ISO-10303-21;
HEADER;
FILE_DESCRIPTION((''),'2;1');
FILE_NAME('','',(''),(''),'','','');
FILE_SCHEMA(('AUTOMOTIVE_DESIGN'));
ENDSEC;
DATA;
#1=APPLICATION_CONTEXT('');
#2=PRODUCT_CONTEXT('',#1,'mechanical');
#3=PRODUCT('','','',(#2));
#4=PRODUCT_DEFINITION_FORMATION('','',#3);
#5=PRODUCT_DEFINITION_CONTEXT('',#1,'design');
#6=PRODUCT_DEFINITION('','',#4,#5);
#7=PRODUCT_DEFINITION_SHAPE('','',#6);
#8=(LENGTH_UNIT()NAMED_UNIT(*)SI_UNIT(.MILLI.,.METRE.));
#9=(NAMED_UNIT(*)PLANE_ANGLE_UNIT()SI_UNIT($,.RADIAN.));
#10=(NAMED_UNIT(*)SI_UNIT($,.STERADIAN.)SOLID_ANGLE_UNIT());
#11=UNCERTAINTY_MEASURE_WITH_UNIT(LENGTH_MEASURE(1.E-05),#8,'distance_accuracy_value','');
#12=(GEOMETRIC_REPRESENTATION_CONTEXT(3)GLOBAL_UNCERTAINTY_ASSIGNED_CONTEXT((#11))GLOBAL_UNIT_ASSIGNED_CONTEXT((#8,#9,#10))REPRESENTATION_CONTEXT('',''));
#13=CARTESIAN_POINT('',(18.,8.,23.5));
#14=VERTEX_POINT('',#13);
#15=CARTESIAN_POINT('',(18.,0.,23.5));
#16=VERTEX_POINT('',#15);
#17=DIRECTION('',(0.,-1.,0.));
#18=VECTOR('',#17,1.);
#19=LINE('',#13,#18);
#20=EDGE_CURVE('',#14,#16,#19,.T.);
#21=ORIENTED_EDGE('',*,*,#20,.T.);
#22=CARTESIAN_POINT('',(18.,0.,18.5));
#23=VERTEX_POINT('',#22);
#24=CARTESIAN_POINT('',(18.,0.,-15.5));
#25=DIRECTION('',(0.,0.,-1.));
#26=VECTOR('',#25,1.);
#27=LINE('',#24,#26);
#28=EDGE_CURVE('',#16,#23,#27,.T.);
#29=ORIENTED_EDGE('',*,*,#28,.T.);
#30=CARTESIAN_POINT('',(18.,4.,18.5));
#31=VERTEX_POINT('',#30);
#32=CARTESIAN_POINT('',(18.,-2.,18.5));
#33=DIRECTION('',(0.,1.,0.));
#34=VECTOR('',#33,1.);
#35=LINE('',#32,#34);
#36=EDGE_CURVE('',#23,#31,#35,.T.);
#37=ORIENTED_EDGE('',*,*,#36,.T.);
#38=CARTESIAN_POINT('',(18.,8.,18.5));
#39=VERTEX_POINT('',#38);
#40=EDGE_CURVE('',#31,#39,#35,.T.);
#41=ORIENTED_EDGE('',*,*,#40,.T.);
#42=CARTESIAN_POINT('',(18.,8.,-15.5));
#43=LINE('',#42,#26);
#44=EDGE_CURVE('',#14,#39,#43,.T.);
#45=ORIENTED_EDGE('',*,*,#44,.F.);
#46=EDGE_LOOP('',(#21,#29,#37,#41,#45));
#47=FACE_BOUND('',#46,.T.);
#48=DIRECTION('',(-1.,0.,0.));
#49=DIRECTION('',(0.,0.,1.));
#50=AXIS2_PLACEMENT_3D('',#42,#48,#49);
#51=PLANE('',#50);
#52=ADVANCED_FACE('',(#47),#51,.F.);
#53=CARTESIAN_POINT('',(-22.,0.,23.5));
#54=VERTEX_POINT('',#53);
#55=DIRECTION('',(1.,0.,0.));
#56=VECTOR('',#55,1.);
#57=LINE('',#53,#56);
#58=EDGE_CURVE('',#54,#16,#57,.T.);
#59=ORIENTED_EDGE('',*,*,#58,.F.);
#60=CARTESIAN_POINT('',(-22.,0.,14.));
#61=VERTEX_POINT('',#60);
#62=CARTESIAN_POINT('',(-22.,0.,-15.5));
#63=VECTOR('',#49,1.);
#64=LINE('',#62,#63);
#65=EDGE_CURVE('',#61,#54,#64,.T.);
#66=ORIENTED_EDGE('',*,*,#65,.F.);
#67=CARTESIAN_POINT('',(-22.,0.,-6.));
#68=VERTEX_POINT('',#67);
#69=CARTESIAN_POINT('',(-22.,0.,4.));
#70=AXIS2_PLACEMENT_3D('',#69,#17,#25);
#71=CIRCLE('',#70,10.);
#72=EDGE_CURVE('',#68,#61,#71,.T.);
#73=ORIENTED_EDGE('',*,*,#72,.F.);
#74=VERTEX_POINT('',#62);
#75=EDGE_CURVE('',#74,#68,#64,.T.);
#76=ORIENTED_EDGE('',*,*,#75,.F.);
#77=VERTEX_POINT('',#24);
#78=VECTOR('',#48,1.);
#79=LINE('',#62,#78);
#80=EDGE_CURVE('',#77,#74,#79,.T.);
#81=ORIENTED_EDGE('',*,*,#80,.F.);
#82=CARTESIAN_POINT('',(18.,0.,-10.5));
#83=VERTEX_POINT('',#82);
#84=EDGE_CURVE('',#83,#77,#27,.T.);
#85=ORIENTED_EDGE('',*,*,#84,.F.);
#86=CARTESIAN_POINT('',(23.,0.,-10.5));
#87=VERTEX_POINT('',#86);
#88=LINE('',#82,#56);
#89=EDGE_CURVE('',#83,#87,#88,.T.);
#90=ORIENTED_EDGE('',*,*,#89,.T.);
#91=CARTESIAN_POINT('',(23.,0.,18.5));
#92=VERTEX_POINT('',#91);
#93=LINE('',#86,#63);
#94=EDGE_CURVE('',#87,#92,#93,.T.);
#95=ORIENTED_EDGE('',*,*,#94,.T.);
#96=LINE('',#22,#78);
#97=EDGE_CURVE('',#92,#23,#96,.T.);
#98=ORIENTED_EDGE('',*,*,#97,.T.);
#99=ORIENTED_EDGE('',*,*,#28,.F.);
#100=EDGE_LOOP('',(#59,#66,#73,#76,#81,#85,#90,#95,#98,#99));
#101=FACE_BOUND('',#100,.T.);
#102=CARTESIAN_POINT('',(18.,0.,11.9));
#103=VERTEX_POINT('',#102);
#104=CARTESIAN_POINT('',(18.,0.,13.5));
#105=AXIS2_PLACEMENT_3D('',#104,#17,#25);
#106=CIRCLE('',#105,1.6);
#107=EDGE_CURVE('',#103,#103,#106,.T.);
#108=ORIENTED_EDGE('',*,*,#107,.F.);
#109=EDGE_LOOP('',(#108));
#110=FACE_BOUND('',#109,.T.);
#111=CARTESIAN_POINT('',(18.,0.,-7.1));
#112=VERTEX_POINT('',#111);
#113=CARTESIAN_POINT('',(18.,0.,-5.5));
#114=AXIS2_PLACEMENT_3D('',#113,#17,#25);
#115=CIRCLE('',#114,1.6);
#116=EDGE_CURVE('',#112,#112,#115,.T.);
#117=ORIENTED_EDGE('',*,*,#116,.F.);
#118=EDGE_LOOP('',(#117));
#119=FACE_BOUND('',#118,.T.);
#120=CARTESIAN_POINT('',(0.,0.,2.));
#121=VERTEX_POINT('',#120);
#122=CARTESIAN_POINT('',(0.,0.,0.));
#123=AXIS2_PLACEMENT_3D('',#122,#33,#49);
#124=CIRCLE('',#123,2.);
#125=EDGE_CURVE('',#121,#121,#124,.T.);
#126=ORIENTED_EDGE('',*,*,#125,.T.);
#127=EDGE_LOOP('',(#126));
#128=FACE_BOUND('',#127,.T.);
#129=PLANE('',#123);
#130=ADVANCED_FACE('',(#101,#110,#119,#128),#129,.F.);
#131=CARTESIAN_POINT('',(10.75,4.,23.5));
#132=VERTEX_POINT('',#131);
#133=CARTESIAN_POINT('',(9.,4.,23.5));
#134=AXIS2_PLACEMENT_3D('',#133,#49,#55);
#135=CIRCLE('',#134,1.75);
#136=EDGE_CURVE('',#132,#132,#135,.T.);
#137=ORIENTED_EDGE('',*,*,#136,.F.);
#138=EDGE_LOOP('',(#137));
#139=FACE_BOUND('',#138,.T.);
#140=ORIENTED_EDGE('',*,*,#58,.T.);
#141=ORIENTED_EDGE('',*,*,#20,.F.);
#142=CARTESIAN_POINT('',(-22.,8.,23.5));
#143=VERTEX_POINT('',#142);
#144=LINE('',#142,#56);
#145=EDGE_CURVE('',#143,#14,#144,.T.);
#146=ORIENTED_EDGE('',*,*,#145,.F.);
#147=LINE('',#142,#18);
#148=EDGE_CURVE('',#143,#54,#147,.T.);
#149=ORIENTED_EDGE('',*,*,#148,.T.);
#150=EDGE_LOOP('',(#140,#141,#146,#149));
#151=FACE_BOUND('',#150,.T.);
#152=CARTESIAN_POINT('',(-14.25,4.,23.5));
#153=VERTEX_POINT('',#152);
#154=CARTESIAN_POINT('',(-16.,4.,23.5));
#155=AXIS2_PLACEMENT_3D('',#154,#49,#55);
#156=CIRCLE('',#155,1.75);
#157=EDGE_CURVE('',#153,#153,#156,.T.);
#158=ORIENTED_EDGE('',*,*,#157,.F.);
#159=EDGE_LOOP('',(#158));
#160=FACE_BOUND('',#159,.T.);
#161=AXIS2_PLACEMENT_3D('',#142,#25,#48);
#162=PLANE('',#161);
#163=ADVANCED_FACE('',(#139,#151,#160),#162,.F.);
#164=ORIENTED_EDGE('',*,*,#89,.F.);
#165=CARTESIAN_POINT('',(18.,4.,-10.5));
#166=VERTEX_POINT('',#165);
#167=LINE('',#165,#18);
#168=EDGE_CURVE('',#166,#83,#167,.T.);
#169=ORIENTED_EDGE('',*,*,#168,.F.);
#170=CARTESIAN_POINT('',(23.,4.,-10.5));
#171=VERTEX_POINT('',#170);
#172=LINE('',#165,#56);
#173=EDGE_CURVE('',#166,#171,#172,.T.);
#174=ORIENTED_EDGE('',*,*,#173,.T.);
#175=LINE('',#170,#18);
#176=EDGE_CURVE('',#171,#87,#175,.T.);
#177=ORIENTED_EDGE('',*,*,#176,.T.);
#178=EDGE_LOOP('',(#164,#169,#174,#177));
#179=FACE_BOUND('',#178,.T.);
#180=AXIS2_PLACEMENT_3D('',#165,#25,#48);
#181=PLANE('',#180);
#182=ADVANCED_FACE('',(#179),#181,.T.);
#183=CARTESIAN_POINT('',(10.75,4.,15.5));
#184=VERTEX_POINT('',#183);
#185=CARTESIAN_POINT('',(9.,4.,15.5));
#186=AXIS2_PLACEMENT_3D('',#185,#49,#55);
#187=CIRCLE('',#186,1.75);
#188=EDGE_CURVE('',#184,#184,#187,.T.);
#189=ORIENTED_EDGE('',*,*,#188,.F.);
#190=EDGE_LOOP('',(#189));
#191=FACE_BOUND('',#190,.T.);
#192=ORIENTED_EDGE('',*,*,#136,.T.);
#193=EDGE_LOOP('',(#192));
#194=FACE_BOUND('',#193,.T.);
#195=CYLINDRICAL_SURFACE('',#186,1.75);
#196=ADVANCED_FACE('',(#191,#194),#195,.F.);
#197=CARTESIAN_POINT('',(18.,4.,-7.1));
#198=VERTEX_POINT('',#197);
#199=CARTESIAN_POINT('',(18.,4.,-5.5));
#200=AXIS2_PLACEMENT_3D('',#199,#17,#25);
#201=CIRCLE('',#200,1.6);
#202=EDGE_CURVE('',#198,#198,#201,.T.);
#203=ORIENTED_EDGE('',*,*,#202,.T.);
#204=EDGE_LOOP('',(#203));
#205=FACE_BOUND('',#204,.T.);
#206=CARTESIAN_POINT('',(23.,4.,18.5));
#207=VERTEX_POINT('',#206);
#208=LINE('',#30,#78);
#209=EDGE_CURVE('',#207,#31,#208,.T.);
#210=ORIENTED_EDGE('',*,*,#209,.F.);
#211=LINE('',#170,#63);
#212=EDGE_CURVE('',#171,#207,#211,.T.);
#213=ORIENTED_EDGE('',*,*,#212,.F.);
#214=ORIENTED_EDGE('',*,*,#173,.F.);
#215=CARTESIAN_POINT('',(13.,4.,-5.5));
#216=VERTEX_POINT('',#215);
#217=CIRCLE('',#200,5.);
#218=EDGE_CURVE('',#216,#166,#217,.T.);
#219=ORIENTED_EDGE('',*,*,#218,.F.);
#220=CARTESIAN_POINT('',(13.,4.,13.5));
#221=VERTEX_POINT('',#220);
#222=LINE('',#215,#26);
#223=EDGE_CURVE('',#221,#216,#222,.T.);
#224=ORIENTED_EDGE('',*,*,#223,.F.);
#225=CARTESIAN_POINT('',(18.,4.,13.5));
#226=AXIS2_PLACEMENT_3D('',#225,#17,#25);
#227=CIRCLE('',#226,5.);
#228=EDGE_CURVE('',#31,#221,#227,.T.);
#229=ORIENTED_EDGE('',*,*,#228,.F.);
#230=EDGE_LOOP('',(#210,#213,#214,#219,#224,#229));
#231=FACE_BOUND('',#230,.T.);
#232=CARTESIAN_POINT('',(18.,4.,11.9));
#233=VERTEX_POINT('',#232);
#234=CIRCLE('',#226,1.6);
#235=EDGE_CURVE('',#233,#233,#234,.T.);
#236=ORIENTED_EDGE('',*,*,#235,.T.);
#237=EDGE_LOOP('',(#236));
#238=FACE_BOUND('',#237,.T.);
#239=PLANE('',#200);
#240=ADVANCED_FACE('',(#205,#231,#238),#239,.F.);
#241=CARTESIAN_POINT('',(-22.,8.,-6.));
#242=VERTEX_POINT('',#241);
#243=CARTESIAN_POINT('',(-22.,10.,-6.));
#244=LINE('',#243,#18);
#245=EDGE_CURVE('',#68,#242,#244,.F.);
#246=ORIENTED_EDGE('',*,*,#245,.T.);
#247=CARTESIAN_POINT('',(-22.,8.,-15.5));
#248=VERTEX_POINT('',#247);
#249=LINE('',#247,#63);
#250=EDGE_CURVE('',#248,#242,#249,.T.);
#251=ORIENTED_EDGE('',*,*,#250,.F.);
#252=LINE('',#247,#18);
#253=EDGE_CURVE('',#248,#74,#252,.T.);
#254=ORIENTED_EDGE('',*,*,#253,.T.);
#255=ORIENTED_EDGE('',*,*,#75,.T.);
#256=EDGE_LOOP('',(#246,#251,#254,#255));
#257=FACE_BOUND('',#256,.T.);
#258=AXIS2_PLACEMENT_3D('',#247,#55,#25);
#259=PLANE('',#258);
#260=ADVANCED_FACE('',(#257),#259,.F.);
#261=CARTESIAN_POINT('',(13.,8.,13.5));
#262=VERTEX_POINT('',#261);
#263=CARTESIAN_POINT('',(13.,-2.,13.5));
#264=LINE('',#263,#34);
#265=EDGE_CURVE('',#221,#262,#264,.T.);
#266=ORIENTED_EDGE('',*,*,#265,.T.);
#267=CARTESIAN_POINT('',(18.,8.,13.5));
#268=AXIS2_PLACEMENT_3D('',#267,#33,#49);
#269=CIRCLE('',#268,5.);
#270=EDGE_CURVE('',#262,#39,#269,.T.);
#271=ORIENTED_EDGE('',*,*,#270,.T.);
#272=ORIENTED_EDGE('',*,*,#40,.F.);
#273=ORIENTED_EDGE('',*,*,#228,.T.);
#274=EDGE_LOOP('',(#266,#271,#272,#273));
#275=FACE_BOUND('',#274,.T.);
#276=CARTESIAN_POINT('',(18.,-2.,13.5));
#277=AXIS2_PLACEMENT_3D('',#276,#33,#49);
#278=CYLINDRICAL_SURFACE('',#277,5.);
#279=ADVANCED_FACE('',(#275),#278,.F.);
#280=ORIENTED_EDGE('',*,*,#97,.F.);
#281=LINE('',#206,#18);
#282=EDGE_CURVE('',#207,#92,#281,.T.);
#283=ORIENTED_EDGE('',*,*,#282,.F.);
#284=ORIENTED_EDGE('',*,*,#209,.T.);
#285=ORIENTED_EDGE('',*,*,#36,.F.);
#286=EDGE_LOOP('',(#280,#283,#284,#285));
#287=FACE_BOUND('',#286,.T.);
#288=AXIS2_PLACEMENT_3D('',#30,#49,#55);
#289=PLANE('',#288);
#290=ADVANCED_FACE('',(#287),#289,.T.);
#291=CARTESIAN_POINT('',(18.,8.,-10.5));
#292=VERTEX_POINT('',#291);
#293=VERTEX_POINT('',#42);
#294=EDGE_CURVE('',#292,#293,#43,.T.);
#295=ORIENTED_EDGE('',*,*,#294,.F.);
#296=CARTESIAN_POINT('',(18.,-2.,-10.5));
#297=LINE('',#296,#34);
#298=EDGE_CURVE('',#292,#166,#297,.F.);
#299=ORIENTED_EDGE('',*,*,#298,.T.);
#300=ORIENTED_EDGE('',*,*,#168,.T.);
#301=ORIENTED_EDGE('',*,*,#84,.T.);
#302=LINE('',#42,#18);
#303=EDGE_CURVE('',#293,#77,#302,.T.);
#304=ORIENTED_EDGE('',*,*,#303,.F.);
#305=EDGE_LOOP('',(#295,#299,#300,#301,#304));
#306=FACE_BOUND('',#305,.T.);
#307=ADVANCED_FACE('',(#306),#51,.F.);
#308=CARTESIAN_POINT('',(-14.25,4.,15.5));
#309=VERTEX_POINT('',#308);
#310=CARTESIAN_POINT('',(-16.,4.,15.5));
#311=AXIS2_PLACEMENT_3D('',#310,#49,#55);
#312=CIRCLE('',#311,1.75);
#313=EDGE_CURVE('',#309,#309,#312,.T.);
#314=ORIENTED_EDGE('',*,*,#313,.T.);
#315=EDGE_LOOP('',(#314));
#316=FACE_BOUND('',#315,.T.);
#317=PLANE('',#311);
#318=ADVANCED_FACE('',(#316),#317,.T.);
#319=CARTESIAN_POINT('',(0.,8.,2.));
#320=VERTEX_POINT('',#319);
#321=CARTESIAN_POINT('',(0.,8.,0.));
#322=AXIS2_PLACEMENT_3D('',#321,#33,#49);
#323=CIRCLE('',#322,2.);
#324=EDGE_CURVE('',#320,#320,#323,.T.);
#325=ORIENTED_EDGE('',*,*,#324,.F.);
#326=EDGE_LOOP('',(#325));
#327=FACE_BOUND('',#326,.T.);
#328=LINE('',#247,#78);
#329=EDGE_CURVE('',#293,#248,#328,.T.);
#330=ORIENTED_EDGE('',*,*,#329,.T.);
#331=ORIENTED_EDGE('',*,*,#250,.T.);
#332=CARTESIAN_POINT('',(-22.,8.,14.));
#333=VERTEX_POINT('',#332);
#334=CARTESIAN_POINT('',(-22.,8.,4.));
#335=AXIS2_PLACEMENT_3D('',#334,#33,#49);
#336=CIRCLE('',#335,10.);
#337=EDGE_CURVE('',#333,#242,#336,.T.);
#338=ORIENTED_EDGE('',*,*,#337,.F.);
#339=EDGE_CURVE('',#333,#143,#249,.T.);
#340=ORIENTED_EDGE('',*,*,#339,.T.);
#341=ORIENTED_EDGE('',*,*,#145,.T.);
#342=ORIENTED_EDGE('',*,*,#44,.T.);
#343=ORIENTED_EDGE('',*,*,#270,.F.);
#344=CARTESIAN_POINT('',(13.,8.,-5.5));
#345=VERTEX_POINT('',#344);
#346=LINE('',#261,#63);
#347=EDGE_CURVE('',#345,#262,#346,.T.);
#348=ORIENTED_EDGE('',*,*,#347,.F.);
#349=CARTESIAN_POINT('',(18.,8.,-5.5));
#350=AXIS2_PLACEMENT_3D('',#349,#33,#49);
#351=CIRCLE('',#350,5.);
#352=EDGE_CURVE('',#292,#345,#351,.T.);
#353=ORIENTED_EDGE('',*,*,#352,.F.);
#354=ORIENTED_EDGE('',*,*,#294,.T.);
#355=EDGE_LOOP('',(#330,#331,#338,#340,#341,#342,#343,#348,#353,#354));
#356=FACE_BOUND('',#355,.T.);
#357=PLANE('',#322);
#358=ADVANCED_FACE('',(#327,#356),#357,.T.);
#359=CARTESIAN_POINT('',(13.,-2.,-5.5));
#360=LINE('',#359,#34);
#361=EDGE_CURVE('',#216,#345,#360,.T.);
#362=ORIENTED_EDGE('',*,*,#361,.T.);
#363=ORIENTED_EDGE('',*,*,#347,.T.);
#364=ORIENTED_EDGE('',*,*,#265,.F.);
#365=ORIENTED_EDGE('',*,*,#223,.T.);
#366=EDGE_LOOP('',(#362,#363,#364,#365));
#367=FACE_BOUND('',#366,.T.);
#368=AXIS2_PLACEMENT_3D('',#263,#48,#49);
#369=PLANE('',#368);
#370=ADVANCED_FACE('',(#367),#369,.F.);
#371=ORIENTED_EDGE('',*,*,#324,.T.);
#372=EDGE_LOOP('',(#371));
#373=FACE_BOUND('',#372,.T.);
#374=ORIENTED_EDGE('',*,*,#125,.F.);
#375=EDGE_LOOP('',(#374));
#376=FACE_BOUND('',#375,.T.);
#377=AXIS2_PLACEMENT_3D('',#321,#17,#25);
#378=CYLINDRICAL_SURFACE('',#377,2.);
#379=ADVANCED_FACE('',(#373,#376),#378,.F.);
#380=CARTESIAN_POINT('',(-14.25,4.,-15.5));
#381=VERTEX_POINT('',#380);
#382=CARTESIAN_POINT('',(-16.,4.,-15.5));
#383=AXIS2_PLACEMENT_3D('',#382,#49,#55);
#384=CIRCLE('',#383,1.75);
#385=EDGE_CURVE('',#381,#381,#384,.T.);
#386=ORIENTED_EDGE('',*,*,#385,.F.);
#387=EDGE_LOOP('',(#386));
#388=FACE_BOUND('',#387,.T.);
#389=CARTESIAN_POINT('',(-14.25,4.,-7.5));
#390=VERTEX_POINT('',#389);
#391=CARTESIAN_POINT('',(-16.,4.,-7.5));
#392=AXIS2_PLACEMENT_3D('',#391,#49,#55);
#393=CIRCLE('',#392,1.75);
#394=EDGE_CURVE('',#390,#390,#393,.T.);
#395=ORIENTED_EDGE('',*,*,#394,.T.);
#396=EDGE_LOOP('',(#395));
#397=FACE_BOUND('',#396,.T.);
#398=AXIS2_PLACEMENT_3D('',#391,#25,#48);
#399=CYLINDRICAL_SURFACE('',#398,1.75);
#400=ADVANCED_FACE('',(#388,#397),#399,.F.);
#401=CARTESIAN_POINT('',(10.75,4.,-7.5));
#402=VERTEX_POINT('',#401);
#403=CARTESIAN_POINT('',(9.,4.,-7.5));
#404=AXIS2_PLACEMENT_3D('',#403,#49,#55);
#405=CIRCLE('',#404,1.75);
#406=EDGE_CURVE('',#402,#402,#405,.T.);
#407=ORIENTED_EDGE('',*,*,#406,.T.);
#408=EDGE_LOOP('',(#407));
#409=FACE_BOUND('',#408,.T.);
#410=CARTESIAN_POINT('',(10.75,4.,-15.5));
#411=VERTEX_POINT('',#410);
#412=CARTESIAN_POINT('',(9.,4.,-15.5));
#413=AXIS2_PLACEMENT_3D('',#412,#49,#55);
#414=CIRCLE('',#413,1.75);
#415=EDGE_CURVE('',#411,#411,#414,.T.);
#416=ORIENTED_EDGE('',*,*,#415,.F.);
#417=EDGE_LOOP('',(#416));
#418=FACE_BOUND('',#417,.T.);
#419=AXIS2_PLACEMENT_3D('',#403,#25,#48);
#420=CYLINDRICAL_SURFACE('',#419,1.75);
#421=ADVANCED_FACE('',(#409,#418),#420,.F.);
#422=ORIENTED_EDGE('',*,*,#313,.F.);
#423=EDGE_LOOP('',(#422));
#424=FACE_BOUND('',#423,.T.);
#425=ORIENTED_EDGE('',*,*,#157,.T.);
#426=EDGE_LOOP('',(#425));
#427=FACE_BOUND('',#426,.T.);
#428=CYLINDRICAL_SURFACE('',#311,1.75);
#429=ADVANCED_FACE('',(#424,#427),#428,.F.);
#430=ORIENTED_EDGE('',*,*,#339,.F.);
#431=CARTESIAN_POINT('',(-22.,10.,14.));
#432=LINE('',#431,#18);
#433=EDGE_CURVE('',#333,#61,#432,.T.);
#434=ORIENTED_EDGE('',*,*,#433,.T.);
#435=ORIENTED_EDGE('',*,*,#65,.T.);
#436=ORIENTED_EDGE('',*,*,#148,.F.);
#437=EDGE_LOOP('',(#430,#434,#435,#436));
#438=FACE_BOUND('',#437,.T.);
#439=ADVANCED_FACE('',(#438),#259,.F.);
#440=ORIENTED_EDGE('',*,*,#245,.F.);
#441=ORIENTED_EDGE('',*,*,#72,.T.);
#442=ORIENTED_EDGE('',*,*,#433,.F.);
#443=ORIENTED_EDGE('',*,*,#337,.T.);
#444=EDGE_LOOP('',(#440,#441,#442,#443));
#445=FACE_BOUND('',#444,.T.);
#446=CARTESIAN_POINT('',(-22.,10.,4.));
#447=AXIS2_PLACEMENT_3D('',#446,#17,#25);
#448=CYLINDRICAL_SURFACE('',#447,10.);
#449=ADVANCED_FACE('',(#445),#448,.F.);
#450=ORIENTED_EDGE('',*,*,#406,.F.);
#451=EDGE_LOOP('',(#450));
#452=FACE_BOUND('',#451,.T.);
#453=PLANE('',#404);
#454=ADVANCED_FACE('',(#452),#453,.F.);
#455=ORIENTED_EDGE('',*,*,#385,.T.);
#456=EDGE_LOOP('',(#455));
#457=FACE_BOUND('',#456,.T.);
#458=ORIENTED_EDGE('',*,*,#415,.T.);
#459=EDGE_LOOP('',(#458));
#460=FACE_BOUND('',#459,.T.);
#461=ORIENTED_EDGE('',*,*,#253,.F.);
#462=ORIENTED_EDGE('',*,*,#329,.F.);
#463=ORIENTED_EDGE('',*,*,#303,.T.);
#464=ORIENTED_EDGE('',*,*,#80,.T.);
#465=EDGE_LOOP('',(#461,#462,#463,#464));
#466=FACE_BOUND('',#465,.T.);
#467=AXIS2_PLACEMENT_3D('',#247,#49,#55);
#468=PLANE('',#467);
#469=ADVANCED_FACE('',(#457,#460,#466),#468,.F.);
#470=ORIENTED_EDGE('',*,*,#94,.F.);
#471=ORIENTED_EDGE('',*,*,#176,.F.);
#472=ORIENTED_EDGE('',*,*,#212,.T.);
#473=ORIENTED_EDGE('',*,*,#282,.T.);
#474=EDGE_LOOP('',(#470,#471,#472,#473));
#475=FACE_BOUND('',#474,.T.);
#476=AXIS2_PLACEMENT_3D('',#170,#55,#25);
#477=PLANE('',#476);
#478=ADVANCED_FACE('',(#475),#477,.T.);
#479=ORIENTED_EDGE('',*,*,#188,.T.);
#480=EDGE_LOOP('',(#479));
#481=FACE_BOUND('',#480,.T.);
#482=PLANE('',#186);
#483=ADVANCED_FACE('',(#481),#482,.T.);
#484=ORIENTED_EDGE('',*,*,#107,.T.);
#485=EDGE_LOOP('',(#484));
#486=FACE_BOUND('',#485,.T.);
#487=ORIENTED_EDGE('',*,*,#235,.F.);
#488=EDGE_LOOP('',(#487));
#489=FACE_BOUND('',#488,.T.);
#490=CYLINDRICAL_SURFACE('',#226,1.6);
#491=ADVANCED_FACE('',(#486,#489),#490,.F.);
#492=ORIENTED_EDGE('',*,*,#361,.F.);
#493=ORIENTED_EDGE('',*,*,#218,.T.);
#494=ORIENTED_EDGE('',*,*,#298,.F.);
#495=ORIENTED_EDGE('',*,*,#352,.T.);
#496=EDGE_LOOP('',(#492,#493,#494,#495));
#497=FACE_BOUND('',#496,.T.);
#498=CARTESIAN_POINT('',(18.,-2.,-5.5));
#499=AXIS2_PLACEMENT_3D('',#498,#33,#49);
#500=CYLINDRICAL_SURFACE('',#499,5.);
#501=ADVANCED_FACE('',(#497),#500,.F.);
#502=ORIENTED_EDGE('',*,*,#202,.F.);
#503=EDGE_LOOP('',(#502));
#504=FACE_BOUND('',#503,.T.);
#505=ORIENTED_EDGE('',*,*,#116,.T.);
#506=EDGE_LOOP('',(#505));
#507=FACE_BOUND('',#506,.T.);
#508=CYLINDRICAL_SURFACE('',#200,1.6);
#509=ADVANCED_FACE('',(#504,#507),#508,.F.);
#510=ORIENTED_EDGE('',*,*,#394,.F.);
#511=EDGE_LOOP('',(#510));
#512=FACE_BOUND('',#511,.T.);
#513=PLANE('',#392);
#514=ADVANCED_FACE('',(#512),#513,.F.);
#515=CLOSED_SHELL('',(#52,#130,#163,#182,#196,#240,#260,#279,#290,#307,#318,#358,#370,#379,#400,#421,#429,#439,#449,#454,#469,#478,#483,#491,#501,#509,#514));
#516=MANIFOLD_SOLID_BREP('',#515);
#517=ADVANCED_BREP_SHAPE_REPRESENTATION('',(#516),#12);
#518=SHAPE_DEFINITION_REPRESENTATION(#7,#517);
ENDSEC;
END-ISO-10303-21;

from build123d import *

# Parameters (mm, degrees)
SKETCH_1_W          = 40
SKETCH_1_H          = 39
SKETCH_1_R          = 2
EXTRUDE_1_DEPTH     = 8
SKETCH_2_R          = 1.75
CUT_EXTRUDE_1_DEPTH = 8
CUT_EXTRUDE_START   = -31
SKETCH_2_3_R        = 1.75
CUT_EXTRUDE_2_DEPTH = 8
SKETCH_4_R          = 10
CUT_EXTRUDE_3_DEPTH = 10
CUT_EXTRUDE_5_DEPTH = 10
EXTRUDE_START       = -4
SKETCH_7_R          = 1.6
EXTRUDE_2_DEPTH     = 4


with BuildPart() as part:
    # 草图1 → 凸台-拉伸1 (new body)
    with BuildSketch(Plane(origin=(0, 0, 0), x_dir=(1, 0, 0), z_dir=(0, 1, 0))):
        with Locations((-2, -4)):
            Rectangle(SKETCH_1_W, SKETCH_1_H)
        with Locations(Location((0, 0, 0), (0, 0, 270))):
            Circle(SKETCH_1_R, mode=Mode.SUBTRACT)
    extrude(amount=EXTRUDE_1_DEPTH)

    # 草图2 → 切除-拉伸1 (cut)
    with BuildSketch(Plane.XY.offset(23.5)):
        with Locations((9, 4)):
            Circle(SKETCH_2_R)
        with Locations((-16, 4)):
            Circle(SKETCH_2_R)
    extrude(amount=-CUT_EXTRUDE_1_DEPTH, mode=Mode.SUBTRACT)

    # 草图2<3> → 切除-拉伸2 (cut)
    with BuildSketch(Plane.XY.offset(23.5).offset(CUT_EXTRUDE_START)):
        with Locations((9, 4)):
            Circle(SKETCH_2_3_R)
        with Locations((-16, 4)):
            Circle(SKETCH_2_3_R)
    extrude(amount=-CUT_EXTRUDE_2_DEPTH, mode=Mode.SUBTRACT)

    # 草图4 → 切除-拉伸3 (cut)
    with BuildSketch(Plane(origin=(0, 0, 0), x_dir=(-1, 0, 0), z_dir=(0, -1, 0))):
        with Locations((22, -4)):
            Circle(SKETCH_4_R)
    extrude(amount=-CUT_EXTRUDE_3_DEPTH, mode=Mode.SUBTRACT)

    # 草图6 → 切除-拉伸5 (cut)
    with BuildSketch(Plane(origin=(0, 8, 0), x_dir=(1, 0, 0), z_dir=(0, 1, 0))):
        with BuildLine():
            Line((13, -13.5), (13, 5.5))
            ThreePointArc((13, 5.5), (18, 10.5), (23, 5.5))
            Line((23, 5.5), (23, -13.5))
            ThreePointArc((23, -13.5), (18, -18.5), (13, -13.5))
        make_face()
    extrude(amount=-CUT_EXTRUDE_5_DEPTH, mode=Mode.SUBTRACT)

    # 草图7 → 凸台-拉伸2 (add)
    with BuildSketch(Plane.XZ.offset(EXTRUDE_START)):
        with BuildLine():
            Line((13, -5.5), (13, 13.5))
            ThreePointArc((13, 13.5), (14.464466094, 17.035533906), (18, 18.5))
            Line((18, 18.5), (23, 18.5))
            Line((23, 18.5), (23, -10.5))
            Line((23, -10.5), (18, -10.5))
            ThreePointArc((18, -10.5), (14.464466094, -9.035533906), (13, -5.5))
        make_face()
        with Locations(Location((18, 13.5, 0), (0, 0, 270))):
            Circle(SKETCH_7_R, mode=Mode.SUBTRACT)
        with Locations(Location((18, -5.5, 0), (0, 0, 270))):
            Circle(SKETCH_7_R, mode=Mode.SUBTRACT)
    extrude(amount=EXTRUDE_2_DEPTH)


solid = part.part
